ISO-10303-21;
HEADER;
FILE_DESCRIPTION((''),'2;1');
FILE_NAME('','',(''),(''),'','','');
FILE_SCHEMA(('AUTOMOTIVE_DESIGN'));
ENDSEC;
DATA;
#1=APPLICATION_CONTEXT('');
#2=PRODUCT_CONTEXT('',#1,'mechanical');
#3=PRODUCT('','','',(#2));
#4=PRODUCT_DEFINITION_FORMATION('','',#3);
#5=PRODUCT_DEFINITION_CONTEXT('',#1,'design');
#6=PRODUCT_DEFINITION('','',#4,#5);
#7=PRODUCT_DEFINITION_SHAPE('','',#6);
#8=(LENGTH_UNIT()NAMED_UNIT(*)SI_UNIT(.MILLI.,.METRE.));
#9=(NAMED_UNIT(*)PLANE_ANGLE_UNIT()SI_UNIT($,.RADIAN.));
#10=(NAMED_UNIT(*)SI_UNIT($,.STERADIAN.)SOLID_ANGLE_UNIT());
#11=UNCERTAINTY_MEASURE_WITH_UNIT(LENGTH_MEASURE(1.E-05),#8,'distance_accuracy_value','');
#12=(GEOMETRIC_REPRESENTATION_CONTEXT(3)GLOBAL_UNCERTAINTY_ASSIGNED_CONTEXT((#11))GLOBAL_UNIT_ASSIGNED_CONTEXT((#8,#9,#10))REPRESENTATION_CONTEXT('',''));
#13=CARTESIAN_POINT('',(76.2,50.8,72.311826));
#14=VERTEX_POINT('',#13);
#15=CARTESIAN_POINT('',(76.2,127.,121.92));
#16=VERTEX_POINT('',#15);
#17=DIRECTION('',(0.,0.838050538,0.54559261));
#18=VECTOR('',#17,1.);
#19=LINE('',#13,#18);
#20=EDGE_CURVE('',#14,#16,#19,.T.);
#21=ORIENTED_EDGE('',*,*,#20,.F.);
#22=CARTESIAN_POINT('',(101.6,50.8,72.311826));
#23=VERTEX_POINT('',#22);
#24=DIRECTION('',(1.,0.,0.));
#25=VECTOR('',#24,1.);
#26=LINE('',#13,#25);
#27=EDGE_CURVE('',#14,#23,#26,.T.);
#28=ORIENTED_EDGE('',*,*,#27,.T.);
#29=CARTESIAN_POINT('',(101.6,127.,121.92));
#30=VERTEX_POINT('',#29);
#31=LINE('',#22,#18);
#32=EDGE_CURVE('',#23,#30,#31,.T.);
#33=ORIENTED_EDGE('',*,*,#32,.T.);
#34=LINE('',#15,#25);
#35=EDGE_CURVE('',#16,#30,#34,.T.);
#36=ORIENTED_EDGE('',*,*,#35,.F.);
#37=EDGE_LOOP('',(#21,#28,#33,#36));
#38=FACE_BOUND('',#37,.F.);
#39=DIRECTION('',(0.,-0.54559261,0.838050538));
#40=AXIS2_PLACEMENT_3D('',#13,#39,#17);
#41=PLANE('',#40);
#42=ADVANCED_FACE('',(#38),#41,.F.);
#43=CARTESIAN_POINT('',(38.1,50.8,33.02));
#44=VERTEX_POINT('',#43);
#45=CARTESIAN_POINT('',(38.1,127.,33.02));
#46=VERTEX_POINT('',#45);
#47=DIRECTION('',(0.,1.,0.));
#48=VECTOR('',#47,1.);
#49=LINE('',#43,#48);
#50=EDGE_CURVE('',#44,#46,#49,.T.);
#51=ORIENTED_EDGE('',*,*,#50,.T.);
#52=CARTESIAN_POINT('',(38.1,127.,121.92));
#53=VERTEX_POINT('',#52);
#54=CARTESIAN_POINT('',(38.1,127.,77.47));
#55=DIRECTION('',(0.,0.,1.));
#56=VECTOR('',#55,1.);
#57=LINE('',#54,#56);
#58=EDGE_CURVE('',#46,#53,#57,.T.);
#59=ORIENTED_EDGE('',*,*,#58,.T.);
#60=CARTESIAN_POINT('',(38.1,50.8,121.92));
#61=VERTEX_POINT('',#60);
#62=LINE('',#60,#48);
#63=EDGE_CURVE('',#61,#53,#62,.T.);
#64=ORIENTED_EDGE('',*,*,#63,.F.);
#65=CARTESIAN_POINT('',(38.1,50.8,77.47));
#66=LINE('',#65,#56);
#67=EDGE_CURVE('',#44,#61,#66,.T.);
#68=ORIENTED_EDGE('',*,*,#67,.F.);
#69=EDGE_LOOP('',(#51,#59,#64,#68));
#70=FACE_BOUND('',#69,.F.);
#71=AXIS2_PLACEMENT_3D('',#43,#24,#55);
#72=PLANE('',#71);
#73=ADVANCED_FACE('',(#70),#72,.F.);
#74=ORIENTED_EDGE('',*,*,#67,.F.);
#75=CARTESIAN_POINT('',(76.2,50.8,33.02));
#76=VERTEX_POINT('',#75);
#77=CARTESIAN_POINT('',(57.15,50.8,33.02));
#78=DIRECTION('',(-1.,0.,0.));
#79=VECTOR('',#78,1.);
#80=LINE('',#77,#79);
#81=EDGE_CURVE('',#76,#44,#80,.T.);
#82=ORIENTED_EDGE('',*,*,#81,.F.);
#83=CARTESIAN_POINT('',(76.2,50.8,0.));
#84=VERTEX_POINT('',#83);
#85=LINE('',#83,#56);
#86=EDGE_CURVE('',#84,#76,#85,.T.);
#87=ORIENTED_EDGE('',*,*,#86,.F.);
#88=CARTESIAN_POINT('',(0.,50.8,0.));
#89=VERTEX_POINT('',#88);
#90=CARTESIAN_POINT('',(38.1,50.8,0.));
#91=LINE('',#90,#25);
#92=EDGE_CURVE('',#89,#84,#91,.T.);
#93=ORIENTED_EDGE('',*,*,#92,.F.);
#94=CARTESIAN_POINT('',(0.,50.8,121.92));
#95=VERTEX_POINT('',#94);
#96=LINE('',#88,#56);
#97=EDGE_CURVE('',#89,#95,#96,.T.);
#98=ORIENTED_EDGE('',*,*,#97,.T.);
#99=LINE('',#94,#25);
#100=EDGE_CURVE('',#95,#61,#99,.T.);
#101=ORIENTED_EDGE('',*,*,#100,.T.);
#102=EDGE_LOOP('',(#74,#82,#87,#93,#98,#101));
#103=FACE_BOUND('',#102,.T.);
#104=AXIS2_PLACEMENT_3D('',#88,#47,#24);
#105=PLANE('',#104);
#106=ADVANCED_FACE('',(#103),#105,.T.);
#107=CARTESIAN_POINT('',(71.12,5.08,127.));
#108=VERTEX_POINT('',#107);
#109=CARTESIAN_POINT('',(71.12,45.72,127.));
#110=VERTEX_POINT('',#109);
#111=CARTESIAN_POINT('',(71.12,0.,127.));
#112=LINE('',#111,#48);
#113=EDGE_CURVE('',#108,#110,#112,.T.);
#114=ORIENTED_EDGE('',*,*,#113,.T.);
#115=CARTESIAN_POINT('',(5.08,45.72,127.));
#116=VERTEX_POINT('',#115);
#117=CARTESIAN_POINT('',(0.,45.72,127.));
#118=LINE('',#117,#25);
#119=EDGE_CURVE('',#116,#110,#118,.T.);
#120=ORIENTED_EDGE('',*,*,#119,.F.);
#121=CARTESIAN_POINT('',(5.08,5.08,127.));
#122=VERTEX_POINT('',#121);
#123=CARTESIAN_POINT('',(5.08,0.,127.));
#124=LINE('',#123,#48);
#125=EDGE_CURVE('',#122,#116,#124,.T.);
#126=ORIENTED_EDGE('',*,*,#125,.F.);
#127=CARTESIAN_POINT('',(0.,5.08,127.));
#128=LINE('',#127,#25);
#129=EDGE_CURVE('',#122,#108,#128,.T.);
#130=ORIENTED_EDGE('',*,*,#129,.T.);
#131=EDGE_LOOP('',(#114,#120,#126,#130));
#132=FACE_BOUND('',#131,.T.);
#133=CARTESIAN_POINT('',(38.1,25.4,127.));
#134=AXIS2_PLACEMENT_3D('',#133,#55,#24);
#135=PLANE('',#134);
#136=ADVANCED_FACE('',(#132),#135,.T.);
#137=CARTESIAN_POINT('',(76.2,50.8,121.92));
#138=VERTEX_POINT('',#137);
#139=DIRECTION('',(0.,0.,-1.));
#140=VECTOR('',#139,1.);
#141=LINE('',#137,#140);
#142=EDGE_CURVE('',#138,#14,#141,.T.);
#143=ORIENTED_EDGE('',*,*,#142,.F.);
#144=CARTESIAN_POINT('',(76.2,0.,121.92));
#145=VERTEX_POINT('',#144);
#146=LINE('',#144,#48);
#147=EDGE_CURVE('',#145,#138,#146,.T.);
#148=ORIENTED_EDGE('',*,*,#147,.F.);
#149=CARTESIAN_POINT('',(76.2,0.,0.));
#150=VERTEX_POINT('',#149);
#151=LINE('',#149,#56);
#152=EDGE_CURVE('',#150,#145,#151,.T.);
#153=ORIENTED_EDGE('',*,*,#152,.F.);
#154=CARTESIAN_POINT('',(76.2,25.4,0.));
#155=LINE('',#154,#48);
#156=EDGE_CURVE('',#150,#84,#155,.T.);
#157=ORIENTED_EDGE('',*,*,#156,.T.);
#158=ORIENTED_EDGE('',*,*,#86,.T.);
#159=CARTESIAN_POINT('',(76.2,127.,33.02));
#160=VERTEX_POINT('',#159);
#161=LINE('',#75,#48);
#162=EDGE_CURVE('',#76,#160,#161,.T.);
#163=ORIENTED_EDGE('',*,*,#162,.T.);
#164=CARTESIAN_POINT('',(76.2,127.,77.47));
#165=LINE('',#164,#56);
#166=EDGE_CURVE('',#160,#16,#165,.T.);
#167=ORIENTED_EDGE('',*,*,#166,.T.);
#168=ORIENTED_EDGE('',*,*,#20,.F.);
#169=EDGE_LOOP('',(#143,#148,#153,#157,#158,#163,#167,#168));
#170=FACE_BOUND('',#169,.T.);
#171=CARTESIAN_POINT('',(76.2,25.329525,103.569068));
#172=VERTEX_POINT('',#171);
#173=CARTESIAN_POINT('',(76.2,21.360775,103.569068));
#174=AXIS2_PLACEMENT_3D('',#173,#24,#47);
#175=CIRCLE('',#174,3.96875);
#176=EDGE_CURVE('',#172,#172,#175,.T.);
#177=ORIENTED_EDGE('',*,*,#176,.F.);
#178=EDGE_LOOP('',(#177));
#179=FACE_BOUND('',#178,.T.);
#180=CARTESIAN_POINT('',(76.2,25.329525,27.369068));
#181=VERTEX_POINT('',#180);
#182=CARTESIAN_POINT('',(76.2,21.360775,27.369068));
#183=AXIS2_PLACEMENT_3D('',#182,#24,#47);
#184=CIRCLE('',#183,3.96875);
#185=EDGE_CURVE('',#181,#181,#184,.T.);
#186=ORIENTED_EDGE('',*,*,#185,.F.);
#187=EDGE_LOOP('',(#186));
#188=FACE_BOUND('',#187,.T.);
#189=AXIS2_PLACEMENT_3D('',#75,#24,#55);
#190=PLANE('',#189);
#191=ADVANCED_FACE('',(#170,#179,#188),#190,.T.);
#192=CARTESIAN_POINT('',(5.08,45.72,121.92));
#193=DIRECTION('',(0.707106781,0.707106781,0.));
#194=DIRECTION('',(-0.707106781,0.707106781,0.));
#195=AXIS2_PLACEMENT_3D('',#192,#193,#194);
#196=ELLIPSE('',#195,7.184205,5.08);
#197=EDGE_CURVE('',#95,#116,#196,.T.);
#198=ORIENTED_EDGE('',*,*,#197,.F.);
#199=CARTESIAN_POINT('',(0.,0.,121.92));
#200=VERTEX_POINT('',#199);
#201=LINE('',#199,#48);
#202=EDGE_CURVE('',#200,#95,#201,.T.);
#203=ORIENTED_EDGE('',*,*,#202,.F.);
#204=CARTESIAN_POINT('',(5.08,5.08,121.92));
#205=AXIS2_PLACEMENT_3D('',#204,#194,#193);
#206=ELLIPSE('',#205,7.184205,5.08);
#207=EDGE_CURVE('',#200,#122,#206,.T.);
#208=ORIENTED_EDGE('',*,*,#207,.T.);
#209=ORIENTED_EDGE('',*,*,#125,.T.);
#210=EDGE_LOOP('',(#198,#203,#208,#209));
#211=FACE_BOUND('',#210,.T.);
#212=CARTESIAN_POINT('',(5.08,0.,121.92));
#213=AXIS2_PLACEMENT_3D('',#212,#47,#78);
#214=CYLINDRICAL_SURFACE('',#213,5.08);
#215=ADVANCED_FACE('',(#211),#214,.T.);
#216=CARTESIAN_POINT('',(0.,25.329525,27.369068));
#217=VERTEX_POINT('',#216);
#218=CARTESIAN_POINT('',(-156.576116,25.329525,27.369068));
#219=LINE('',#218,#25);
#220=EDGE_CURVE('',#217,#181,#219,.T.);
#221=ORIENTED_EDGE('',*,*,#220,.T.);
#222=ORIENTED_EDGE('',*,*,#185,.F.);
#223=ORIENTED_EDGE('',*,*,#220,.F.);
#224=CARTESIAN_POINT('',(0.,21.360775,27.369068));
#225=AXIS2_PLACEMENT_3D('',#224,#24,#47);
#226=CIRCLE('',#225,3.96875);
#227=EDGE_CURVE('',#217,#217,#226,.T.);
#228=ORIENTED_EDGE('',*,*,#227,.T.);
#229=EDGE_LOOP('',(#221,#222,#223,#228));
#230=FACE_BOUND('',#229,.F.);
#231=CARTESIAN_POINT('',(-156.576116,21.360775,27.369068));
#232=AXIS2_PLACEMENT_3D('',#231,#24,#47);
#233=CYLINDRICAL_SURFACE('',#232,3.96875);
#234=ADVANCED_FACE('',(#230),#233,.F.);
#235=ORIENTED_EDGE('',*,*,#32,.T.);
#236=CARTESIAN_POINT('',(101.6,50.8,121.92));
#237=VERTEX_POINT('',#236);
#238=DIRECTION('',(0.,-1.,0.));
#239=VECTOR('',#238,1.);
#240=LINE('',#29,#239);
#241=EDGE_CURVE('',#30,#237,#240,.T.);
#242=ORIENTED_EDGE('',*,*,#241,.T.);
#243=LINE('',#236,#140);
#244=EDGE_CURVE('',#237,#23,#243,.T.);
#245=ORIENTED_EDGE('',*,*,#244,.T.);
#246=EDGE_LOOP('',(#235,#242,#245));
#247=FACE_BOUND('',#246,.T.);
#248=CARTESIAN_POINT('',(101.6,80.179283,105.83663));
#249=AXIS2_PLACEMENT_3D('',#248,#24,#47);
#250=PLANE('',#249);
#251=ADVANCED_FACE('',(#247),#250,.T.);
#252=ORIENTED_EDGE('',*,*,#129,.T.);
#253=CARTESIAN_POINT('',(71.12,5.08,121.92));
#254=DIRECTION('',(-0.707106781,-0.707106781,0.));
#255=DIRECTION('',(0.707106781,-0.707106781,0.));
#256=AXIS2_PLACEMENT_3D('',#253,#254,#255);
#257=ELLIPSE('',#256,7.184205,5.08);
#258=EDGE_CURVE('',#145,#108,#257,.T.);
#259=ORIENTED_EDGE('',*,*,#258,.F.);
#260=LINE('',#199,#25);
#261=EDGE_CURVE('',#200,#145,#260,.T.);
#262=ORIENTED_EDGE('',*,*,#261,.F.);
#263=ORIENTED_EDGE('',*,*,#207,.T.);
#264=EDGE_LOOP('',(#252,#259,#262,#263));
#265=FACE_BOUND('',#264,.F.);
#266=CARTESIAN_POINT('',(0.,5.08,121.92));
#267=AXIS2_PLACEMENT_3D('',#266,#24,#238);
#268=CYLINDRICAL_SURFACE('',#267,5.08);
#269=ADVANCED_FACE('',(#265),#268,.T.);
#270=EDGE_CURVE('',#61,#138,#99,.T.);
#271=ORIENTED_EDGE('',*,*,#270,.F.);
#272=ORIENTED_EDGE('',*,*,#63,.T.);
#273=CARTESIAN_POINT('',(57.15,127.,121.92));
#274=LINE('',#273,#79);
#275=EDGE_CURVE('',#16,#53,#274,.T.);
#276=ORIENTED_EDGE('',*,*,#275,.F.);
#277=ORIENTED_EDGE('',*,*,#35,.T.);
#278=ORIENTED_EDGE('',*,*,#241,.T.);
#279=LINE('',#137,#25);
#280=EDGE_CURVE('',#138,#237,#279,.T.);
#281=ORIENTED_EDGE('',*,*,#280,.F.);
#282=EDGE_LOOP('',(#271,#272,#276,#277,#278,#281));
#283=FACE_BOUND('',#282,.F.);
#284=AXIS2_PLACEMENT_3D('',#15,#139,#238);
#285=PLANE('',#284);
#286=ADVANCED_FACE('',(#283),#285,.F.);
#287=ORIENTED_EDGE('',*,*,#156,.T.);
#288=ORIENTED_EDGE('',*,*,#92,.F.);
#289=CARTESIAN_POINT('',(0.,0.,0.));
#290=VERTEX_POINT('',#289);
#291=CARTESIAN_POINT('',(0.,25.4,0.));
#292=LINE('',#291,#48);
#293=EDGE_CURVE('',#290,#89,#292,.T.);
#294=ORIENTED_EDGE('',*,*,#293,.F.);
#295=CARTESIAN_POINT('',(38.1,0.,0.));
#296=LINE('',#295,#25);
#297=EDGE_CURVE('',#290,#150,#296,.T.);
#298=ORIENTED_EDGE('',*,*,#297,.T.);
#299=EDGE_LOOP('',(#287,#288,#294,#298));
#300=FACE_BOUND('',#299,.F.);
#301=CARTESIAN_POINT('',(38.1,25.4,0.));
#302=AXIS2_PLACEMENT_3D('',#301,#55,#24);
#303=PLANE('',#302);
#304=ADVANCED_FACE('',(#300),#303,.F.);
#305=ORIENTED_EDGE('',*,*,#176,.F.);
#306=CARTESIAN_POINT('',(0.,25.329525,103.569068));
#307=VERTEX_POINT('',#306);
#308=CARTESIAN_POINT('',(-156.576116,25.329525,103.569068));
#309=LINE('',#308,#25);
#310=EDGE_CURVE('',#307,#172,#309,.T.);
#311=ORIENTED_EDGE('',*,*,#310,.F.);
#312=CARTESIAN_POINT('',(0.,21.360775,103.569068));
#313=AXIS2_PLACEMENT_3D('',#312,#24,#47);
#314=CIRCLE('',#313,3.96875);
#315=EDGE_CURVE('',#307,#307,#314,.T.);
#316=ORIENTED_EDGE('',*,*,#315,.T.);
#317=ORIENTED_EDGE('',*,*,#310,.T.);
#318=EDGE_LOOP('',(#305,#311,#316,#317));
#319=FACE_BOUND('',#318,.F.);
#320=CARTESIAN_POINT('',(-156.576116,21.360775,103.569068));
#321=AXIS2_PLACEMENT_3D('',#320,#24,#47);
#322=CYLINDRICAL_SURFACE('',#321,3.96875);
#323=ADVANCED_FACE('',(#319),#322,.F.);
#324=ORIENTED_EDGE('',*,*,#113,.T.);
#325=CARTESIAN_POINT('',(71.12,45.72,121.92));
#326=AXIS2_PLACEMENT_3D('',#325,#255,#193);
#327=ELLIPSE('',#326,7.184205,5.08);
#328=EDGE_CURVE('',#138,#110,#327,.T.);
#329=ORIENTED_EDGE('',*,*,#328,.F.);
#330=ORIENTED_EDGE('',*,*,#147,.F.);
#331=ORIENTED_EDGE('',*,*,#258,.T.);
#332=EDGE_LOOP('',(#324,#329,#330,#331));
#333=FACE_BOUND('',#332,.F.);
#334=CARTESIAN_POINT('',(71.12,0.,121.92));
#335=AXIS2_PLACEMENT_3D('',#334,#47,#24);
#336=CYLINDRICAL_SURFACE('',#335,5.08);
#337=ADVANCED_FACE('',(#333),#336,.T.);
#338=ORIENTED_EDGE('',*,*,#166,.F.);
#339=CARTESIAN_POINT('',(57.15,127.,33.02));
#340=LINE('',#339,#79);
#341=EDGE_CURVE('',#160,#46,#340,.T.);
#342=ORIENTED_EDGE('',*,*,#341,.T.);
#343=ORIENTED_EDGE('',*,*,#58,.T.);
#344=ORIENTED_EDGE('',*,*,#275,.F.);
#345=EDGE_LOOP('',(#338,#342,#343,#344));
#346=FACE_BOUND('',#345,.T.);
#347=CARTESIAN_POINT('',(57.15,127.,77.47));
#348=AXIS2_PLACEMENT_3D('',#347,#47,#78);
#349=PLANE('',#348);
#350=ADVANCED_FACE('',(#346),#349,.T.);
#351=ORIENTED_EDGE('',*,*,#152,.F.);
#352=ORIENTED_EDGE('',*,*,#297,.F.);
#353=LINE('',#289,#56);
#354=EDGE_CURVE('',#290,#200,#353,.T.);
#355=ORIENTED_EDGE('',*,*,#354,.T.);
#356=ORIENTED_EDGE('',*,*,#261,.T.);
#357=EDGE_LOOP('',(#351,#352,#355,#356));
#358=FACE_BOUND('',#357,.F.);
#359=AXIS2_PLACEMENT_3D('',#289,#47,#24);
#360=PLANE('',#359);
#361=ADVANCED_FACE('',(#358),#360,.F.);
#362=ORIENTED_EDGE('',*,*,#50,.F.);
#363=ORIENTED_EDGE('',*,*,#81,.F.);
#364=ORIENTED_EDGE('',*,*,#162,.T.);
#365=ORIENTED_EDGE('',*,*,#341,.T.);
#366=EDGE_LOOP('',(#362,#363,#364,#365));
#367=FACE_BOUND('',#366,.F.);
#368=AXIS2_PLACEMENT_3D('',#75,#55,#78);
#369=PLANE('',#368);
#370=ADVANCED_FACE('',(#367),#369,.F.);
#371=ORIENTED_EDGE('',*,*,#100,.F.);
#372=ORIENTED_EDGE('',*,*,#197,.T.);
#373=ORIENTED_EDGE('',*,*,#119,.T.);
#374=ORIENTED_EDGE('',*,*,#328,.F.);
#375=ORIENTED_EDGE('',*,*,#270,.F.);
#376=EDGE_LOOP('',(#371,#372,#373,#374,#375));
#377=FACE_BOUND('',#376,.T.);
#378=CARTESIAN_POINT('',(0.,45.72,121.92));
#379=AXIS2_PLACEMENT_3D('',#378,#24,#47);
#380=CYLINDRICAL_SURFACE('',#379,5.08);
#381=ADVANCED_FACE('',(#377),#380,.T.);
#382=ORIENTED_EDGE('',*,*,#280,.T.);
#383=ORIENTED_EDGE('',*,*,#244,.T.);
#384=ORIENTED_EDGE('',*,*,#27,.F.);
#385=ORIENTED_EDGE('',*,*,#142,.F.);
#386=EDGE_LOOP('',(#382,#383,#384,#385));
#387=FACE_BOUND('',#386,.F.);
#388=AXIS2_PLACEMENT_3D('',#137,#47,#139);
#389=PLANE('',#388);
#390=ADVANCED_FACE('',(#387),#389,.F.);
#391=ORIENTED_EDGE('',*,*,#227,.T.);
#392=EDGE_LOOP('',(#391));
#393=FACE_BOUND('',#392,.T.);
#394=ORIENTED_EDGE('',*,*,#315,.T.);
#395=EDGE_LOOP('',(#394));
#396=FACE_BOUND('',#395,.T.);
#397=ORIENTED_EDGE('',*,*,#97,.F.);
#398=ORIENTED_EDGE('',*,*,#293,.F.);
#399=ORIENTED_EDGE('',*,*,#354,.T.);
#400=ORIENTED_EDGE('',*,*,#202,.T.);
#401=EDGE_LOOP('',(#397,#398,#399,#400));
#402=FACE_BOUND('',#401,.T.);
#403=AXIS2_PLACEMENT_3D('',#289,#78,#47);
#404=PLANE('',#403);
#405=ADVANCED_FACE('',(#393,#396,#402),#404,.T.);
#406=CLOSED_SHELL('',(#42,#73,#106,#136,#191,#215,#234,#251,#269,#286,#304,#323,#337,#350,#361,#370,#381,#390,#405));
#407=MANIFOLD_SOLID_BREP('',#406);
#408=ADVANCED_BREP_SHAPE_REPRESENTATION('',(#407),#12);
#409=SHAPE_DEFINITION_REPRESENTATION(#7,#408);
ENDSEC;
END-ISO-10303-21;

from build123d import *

# Parameters (mm, degrees)
F0_W     = 76.2
F0_H     = 50.8
F1_DEPTH = 127
F2_R     = 5.08
F4_D     = 7.9375
F5_W     = 38.1
F5_H     = 88.9
F6_DEPTH = 76.2
F8_DEPTH = 25.4


with BuildPart() as f1:
    # F0 (on Top) → F1 (new body)
    with BuildSketch(Plane.XY):
        with Locations((38.1, 25.4)):
            Rectangle(F0_W, F0_H)
    extrude(amount=F1_DEPTH)

    # F2
    f2_edges = [f1.edges().sort_by_distance(p)[0] for p in [
        (0, 25.4, 127),
        (38.1, 0, 127),
        (76.2, 25.4, 127),
        (38.1, 50.8, 127),
    ]]
    fillet(f2_edges, radius=F2_R)

    # F4 (through all)
    with Locations(Plane(origin=(0, 0, 0), x_dir=(0, -1, 0), z_dir=(-1, 0, 0))):
        with Locations((-21.3607754558, 103.5690684751), (-21.3607754558, 27.3690684751)):
            Hole(F4_D / 2)

    # F5 (on face) → F6 (join)
    with BuildSketch(Plane(origin=(0, 50.8, 0), x_dir=(-1, 0, 0), z_dir=(0, 1, 0))):
        with Locations((-57.15, 77.47)):
            Rectangle(F5_W, F5_H)
    extrude(amount=F6_DEPTH)

    # F7 (on face) → F8 (join)
    with BuildSketch(Plane.YZ.offset(76.2)):
        Polygon((127, 121.92), (50.8, 121.92), (50.8, 72.3118260503), align=None)
    extrude(amount=F8_DEPTH)


solid = f1.part
